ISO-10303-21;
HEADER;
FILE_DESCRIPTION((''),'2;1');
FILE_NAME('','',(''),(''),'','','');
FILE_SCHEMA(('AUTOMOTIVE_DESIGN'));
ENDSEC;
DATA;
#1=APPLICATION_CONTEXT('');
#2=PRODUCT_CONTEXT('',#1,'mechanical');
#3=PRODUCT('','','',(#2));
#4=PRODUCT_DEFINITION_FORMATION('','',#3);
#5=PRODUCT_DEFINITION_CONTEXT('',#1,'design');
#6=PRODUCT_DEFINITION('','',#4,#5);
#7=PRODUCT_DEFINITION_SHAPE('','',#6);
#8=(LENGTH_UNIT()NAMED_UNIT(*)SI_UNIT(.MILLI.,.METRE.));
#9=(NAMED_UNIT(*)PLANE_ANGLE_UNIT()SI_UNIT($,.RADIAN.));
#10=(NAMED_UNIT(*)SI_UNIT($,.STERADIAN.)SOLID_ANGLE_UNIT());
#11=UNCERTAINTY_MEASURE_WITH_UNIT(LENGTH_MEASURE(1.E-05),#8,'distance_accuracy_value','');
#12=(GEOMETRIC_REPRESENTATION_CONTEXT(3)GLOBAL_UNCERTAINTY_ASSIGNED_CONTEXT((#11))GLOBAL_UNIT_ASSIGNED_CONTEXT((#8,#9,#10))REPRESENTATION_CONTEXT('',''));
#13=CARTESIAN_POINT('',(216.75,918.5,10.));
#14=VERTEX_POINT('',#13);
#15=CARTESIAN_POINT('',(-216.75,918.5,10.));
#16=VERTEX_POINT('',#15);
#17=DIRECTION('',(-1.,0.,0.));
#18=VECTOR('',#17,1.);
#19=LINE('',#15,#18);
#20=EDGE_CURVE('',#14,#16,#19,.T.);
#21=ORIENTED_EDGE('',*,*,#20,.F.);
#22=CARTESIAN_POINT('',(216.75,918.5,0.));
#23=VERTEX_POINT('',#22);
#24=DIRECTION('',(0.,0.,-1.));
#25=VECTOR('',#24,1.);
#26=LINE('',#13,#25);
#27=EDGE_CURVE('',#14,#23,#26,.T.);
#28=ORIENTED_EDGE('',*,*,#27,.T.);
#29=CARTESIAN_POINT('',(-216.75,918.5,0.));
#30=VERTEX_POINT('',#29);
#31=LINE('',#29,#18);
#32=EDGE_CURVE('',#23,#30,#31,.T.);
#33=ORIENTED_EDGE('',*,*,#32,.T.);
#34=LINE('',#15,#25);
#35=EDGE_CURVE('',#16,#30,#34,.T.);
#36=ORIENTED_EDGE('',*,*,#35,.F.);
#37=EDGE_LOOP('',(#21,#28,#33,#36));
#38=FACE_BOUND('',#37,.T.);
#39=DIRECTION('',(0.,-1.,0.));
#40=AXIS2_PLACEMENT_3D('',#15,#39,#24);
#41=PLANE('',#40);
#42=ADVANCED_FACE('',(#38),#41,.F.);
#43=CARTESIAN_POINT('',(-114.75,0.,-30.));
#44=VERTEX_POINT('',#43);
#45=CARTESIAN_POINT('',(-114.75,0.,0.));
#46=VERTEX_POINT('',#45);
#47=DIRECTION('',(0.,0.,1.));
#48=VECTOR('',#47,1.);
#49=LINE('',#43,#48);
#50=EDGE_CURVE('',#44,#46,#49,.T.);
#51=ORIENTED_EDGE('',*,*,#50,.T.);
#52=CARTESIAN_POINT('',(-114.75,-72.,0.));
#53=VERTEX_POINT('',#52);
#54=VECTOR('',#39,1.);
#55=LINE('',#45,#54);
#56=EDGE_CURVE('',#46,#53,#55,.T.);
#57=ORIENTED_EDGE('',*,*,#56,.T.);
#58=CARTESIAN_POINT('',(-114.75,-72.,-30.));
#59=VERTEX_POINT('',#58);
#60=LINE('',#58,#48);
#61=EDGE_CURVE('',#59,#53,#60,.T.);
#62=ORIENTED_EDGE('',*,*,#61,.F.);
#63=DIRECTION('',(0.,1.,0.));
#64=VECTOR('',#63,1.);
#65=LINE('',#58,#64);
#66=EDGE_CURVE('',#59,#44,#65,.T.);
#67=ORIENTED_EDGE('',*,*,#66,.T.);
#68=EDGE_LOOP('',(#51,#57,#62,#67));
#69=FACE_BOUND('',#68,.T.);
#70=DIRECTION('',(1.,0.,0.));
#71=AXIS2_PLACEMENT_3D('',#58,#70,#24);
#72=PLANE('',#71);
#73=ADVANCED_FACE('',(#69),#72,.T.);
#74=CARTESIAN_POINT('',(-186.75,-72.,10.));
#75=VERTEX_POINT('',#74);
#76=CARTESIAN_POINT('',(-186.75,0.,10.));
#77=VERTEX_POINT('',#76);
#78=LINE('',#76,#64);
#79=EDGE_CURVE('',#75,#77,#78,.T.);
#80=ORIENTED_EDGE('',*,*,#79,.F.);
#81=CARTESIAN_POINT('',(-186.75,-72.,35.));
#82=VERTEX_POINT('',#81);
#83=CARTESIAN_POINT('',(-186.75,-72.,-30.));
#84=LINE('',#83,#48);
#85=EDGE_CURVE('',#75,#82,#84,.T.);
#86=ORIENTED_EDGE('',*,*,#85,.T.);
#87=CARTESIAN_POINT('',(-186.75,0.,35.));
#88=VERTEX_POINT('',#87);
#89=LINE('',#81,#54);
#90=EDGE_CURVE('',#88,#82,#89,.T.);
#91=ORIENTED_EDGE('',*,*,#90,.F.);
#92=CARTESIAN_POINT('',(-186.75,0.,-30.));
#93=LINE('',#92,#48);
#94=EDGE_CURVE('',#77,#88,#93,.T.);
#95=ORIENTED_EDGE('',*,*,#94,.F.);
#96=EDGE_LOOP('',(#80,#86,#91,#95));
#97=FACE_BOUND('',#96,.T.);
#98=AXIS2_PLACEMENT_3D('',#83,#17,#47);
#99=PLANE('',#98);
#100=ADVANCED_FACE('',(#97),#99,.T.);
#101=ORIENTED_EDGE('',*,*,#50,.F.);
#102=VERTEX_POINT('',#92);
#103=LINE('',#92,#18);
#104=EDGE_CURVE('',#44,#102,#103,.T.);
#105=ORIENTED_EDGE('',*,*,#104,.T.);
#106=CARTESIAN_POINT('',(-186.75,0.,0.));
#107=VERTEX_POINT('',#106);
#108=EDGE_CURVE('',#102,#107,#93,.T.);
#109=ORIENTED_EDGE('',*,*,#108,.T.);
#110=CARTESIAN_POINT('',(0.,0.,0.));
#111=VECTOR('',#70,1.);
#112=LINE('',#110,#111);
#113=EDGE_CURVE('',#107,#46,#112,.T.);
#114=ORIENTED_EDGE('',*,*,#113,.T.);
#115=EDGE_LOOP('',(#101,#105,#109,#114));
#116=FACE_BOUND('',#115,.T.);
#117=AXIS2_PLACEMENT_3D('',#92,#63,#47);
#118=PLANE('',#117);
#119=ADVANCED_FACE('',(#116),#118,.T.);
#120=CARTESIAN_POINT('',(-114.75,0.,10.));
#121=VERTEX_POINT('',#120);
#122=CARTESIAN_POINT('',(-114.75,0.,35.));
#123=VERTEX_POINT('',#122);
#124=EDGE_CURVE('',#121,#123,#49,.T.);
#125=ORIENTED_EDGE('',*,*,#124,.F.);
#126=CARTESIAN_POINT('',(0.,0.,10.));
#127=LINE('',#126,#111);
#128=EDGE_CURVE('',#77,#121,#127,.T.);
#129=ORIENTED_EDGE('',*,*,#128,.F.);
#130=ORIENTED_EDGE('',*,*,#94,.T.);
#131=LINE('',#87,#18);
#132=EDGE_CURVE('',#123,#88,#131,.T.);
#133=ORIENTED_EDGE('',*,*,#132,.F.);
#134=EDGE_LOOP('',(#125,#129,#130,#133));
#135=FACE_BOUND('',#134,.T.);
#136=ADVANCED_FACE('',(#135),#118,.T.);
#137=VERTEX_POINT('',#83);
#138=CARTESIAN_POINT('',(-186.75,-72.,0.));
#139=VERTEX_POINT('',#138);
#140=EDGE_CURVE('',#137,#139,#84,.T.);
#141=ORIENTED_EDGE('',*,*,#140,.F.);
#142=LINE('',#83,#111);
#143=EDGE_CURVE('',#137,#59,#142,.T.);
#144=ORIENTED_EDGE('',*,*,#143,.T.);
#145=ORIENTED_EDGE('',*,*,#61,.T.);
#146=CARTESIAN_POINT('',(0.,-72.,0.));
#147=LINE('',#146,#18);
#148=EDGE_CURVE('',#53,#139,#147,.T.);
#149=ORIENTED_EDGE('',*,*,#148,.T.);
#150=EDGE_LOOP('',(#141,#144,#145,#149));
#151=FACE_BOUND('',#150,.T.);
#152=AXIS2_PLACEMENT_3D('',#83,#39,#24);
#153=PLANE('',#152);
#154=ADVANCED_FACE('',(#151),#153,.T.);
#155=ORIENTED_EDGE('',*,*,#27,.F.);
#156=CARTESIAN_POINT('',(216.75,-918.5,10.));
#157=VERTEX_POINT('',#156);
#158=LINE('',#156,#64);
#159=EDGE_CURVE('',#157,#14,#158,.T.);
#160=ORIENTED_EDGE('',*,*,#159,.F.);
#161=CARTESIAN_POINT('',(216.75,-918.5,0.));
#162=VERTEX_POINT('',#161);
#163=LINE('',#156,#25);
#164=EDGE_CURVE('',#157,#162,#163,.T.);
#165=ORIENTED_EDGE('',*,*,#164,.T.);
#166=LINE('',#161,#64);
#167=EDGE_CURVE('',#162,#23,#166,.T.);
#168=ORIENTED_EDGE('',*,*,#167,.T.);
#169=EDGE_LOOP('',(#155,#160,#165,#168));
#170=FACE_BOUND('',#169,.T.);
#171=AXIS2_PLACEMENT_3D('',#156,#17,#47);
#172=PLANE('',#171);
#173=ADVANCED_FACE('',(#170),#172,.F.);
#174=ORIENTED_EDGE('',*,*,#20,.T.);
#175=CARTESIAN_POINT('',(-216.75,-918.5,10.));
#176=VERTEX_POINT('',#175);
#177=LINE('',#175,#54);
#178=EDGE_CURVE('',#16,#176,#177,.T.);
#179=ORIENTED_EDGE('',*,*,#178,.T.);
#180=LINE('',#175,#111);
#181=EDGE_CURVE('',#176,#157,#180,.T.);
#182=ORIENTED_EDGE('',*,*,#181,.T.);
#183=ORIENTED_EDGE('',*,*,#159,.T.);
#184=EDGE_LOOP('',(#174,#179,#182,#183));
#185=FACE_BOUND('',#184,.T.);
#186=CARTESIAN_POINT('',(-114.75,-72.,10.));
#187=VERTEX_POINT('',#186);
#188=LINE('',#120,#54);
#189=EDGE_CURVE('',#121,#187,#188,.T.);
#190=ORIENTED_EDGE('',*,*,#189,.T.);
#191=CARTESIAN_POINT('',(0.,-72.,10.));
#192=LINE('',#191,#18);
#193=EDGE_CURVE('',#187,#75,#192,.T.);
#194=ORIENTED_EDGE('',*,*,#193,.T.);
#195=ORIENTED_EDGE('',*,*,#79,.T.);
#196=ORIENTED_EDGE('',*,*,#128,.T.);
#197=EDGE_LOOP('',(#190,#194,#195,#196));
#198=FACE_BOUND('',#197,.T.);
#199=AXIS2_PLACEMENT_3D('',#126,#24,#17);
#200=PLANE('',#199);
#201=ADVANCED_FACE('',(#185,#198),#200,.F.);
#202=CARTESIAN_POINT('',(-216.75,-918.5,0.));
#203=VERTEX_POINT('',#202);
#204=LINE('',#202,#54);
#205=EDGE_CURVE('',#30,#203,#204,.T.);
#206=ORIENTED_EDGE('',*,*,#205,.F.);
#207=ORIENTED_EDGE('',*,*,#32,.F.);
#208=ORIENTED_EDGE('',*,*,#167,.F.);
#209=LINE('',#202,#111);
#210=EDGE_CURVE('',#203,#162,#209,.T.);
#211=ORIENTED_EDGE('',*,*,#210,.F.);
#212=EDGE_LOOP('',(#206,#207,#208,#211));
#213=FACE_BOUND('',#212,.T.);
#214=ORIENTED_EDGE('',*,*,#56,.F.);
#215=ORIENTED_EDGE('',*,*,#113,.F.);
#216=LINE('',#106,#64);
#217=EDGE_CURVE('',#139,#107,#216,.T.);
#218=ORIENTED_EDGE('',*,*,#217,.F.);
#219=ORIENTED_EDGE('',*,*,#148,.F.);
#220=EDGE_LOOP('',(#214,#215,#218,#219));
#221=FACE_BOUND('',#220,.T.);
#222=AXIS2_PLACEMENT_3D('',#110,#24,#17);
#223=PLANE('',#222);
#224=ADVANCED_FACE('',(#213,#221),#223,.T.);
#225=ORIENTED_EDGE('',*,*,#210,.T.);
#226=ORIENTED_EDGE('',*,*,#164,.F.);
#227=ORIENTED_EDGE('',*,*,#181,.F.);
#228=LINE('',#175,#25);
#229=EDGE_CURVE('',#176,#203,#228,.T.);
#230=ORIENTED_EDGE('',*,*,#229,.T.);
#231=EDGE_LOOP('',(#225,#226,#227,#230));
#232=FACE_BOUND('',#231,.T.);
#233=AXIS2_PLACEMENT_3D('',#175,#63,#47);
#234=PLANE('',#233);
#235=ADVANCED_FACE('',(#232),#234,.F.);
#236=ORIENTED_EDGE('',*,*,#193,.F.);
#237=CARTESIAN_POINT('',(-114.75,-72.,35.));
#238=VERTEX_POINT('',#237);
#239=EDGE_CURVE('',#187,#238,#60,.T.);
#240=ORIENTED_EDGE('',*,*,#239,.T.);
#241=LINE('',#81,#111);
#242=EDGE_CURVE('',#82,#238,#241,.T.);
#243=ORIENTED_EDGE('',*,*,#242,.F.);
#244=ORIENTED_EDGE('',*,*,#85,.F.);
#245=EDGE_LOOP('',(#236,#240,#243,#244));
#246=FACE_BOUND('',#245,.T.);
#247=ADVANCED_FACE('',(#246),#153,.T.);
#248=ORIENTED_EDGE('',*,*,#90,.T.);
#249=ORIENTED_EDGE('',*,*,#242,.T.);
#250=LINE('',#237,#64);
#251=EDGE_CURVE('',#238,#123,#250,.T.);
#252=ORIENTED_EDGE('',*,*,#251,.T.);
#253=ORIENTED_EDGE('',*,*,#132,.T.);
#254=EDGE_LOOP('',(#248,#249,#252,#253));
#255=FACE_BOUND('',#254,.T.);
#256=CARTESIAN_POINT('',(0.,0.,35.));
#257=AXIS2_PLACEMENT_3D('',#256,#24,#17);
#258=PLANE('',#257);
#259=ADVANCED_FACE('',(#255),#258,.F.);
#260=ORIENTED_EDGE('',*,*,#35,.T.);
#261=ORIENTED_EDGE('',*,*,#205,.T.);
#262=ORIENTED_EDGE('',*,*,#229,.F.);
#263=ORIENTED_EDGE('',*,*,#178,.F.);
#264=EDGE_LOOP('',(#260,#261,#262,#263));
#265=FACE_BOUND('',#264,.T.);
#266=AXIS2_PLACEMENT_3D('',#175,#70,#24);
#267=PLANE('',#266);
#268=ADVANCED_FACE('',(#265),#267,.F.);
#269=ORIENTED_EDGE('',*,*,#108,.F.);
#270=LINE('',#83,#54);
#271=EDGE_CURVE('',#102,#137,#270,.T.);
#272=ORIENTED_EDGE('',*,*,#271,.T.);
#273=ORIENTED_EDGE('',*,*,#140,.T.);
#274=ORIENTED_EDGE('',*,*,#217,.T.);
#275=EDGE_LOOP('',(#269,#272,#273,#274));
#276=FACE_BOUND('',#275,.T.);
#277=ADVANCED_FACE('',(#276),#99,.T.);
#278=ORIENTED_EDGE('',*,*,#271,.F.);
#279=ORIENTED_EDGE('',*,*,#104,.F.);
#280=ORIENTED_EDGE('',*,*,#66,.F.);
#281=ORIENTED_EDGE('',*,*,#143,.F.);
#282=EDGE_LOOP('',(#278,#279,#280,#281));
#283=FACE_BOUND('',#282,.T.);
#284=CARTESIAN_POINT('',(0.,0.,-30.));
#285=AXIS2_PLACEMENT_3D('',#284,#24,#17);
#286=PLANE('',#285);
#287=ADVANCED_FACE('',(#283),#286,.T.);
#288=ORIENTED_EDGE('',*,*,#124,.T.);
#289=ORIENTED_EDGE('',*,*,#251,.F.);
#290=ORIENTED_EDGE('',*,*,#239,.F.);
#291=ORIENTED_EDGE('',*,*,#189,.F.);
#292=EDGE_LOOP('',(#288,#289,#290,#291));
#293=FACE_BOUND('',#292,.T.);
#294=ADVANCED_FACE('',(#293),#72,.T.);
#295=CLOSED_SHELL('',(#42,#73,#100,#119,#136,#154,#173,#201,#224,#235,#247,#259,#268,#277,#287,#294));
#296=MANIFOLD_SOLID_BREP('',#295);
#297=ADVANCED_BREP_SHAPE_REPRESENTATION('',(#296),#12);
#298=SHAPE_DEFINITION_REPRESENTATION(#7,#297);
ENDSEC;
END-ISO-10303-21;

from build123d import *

# Parameters (mm, degrees)
ESQUISSE1_W             = 433.5
ESQUISSE1_H             = 1837
BOSS_EXTRU_1_DEPTH      = 10
BOSS_EXTRU_2_DEPTH      = 25
BOSS_EXTRU_2_DEPTH_BACK = 40
ESQUISSE2_W             = 72
ESQUISSE2_H             = 72


with BuildPart() as part:
    # Esquisse1 → Boss.-Extru.1 (new body)
    with BuildSketch(Plane.XY):
        Rectangle(ESQUISSE1_W, ESQUISSE1_H)
    extrude(amount=BOSS_EXTRU_1_DEPTH)

    # Esquisse2 → Boss.-Extru.2 (add, two sides: drawn at the far end of the back side and taken through both)
    with BuildSketch(Plane.XY.offset(10).offset(-BOSS_EXTRU_2_DEPTH_BACK)):
        with Locations((-150.75, -36)):
            Rectangle(ESQUISSE2_W, ESQUISSE2_H)
    extrude(amount=BOSS_EXTRU_2_DEPTH + BOSS_EXTRU_2_DEPTH_BACK)


solid = part.part
